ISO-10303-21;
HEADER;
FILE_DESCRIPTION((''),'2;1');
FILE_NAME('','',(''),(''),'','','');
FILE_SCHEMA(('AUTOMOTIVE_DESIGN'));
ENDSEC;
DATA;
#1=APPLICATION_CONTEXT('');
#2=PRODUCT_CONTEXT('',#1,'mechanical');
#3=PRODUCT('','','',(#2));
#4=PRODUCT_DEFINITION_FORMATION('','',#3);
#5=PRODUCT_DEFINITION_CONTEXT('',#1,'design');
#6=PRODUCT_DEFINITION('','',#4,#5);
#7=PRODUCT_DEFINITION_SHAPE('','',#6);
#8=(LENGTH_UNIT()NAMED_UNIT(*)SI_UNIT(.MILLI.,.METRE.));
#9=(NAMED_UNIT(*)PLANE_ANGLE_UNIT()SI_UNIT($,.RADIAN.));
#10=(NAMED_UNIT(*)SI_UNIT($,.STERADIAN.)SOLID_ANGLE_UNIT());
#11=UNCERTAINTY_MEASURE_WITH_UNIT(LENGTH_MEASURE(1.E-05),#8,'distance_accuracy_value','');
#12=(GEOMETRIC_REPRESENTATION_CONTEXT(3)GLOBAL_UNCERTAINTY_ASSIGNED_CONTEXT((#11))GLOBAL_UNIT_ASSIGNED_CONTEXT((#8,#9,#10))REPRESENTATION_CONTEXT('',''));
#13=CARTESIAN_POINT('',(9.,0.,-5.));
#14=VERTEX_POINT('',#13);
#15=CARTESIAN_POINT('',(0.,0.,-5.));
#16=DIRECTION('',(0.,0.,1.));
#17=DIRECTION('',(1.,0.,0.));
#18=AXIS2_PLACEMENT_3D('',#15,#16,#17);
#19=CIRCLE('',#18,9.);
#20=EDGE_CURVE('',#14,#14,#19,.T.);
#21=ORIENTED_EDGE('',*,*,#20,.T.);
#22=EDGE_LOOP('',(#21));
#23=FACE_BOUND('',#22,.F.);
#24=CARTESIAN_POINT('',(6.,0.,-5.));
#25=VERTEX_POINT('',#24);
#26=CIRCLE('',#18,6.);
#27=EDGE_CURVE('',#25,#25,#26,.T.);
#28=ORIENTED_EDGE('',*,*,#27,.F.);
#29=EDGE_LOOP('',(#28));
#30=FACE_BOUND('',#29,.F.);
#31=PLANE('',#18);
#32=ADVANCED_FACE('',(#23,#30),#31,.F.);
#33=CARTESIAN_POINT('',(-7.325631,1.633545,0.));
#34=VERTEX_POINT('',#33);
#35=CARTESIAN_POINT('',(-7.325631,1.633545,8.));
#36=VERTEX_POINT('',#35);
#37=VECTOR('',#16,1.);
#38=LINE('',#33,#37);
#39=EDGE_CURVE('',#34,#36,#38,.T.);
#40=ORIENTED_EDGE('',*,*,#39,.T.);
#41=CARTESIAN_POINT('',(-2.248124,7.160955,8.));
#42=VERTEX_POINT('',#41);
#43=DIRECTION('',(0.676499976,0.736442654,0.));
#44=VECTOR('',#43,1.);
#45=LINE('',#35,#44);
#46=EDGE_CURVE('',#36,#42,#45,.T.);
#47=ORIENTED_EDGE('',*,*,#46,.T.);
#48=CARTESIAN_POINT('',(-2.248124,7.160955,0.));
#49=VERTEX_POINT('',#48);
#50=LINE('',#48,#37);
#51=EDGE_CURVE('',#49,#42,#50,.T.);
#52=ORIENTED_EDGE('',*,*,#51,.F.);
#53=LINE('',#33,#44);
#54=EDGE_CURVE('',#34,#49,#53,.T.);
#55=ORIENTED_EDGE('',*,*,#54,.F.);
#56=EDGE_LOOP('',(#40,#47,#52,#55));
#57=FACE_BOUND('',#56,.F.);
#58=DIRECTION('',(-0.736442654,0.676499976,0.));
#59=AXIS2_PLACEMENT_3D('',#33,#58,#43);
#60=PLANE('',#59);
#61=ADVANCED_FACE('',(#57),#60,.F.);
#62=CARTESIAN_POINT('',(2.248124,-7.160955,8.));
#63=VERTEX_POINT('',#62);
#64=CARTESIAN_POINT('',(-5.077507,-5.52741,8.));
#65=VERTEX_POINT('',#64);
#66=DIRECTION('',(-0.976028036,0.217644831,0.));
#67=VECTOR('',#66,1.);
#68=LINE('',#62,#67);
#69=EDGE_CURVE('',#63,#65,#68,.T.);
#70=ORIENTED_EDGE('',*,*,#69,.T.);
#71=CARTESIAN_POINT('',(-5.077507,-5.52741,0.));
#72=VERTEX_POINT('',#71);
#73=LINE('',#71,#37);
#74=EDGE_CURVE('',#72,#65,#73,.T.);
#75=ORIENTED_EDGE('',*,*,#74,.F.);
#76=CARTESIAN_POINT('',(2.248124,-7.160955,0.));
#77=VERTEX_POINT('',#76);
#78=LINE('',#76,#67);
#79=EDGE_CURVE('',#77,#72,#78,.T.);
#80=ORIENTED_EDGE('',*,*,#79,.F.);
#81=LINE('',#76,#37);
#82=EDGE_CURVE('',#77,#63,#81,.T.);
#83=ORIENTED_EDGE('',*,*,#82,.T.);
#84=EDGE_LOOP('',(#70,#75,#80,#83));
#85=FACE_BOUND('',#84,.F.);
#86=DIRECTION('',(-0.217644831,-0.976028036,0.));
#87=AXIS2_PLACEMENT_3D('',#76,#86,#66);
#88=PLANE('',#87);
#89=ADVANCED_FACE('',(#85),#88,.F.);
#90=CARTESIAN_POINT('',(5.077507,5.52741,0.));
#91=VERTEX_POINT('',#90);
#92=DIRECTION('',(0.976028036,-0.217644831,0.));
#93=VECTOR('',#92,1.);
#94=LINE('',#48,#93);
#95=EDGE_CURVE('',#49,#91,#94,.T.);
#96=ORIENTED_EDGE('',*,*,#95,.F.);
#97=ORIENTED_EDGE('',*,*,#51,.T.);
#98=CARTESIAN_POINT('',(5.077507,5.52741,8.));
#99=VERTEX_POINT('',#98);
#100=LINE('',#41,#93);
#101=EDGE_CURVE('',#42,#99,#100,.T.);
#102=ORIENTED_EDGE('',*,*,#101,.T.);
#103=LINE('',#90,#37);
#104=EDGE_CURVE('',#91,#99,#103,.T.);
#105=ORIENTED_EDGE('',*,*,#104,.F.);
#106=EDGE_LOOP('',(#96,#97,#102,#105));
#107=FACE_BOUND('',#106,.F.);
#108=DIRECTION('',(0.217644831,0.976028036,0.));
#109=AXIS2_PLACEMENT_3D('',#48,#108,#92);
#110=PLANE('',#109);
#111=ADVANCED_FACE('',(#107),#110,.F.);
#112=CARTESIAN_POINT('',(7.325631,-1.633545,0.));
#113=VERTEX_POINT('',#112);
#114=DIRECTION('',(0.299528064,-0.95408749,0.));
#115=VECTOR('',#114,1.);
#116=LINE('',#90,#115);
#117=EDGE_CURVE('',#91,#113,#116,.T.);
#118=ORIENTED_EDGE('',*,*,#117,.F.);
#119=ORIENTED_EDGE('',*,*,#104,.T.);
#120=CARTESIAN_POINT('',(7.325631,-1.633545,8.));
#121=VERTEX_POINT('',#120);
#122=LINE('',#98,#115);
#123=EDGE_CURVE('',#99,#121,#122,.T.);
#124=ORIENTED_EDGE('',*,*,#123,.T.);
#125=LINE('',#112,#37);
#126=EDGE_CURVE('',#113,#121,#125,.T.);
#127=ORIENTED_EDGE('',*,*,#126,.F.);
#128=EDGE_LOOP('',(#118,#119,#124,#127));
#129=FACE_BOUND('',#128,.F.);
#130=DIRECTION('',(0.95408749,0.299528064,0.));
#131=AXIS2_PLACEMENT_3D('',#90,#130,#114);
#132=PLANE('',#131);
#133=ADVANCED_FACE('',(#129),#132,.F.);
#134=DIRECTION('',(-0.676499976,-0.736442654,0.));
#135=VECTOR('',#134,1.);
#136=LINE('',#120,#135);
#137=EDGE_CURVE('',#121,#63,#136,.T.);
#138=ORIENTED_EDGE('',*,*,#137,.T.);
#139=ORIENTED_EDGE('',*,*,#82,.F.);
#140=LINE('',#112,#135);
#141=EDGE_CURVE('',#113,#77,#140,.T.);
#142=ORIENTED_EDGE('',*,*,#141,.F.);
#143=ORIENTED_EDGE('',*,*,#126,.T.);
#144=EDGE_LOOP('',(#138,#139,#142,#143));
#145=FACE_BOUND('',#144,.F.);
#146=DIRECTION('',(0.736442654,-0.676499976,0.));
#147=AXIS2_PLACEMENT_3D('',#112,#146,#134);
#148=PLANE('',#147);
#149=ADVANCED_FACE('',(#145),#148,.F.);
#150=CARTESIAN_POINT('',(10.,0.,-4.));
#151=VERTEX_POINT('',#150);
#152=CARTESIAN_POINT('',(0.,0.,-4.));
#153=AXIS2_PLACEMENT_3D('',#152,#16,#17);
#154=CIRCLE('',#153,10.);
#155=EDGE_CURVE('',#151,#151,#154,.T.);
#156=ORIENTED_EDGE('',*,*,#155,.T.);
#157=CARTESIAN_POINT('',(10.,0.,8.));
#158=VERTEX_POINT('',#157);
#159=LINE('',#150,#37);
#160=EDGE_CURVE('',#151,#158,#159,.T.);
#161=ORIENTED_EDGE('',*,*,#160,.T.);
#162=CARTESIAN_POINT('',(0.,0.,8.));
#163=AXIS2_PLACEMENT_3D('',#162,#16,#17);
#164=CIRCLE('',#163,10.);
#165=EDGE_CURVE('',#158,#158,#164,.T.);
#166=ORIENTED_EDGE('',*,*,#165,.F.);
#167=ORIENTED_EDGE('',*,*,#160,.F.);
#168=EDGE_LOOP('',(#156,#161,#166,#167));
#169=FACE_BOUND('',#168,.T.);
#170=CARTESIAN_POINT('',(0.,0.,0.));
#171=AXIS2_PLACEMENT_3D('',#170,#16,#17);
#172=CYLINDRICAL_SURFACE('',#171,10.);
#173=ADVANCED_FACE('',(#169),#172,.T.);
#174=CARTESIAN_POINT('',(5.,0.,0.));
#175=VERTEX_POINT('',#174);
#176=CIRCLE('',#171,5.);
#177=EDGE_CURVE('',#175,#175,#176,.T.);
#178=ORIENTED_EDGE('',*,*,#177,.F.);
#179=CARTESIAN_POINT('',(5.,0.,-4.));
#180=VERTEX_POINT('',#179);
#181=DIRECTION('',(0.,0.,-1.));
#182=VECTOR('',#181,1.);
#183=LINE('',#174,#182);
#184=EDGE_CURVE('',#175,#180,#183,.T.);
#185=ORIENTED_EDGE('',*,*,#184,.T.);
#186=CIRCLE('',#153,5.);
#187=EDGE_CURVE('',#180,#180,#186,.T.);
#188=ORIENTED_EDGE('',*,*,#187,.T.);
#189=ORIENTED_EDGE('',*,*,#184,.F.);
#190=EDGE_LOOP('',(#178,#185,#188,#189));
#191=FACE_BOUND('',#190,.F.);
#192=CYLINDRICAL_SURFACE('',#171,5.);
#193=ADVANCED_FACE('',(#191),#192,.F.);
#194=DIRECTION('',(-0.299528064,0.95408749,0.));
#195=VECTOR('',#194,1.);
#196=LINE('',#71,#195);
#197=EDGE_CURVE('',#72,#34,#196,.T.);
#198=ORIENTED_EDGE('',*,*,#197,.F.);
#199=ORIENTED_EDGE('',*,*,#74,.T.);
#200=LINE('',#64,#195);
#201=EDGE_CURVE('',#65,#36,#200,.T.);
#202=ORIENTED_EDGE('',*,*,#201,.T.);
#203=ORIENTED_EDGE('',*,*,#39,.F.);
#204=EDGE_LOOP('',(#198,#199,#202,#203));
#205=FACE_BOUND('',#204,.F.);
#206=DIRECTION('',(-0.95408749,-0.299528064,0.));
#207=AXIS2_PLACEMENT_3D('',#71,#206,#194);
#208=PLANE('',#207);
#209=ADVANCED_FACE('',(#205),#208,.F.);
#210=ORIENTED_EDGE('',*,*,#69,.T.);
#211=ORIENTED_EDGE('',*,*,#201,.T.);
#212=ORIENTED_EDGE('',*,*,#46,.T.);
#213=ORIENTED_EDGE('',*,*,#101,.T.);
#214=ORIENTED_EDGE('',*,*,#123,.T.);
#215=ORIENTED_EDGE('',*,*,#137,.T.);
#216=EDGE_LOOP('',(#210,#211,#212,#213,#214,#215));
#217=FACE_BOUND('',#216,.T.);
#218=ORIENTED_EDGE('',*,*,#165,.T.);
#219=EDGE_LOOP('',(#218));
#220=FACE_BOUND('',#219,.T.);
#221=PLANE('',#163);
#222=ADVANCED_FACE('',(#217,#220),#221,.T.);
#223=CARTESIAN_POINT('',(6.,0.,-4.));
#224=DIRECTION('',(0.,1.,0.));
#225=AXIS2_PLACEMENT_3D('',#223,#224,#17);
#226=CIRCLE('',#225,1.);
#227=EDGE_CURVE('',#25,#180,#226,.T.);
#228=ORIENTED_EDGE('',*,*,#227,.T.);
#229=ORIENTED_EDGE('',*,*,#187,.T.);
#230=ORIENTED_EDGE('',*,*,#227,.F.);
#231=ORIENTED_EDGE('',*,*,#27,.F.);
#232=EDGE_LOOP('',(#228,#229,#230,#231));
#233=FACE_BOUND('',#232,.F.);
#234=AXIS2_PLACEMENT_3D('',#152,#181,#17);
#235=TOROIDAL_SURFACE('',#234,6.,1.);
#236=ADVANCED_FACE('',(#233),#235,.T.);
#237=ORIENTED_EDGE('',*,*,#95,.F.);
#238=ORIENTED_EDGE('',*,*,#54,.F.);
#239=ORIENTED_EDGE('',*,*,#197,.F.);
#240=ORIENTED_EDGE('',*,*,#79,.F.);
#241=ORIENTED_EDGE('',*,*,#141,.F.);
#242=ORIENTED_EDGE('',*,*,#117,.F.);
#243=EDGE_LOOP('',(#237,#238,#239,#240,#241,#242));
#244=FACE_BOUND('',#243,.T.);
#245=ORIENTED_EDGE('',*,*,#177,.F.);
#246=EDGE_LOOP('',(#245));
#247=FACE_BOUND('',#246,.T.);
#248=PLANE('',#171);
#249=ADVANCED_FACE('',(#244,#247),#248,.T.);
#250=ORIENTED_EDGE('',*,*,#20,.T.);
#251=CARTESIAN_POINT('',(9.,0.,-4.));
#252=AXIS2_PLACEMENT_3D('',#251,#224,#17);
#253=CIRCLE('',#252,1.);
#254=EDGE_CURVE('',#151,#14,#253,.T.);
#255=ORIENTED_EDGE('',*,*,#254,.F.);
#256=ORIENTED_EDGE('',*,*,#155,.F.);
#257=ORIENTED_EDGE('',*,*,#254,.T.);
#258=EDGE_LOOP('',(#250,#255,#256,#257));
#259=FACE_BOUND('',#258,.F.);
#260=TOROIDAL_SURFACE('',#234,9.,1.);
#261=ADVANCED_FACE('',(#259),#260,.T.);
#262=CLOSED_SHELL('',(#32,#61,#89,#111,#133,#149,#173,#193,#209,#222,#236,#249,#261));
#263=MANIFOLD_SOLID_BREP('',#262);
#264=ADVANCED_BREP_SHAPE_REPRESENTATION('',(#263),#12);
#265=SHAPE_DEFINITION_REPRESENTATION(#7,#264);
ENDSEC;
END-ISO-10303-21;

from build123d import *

# Parameters (mm, degrees)
F0_R     = 10
F0_R_2   = 5
F1_DEPTH = 5
F2_DEPTH = 8
F3_R     = 1


with BuildPart() as f1:
    # F0 (on Top) → F1 (new body)
    with BuildSketch(Plane.XY):
        Circle(F0_R)
        Polygon((-7.325631, 1.633545), (-2.248124, 7.160955), (5.077507, 5.52741), (7.325631, -1.633545), (2.248124, -7.160955), (-5.077507, -5.52741), align=None, mode=Mode.SUBTRACT)
        Polygon((5.077507, 5.52741), (-2.248124, 7.160955), (-7.325631, 1.633545), (-5.077507, -5.52741), (2.248124, -7.160955), (7.325631, -1.633545), align=None)
        Circle(F0_R_2, mode=Mode.SUBTRACT)
    extrude(amount=-F1_DEPTH)

    # F0 (on Top) → F2 (join)
    with BuildSketch(Plane.XY):
        Circle(F0_R)
        Polygon((-7.325631, 1.633545), (-2.248124, 7.160955), (5.077507, 5.52741), (7.325631, -1.633545), (2.248124, -7.160955), (-5.077507, -5.52741), align=None, mode=Mode.SUBTRACT)
    extrude(amount=F2_DEPTH)

    # F3
    f3_edges = [f1.edges().sort_by_distance(p)[0] for p in [
        (-10, 0, -5),
        (-5, 0, -5),
    ]]
    fillet(f3_edges, radius=F3_R)


solid = f1.part
